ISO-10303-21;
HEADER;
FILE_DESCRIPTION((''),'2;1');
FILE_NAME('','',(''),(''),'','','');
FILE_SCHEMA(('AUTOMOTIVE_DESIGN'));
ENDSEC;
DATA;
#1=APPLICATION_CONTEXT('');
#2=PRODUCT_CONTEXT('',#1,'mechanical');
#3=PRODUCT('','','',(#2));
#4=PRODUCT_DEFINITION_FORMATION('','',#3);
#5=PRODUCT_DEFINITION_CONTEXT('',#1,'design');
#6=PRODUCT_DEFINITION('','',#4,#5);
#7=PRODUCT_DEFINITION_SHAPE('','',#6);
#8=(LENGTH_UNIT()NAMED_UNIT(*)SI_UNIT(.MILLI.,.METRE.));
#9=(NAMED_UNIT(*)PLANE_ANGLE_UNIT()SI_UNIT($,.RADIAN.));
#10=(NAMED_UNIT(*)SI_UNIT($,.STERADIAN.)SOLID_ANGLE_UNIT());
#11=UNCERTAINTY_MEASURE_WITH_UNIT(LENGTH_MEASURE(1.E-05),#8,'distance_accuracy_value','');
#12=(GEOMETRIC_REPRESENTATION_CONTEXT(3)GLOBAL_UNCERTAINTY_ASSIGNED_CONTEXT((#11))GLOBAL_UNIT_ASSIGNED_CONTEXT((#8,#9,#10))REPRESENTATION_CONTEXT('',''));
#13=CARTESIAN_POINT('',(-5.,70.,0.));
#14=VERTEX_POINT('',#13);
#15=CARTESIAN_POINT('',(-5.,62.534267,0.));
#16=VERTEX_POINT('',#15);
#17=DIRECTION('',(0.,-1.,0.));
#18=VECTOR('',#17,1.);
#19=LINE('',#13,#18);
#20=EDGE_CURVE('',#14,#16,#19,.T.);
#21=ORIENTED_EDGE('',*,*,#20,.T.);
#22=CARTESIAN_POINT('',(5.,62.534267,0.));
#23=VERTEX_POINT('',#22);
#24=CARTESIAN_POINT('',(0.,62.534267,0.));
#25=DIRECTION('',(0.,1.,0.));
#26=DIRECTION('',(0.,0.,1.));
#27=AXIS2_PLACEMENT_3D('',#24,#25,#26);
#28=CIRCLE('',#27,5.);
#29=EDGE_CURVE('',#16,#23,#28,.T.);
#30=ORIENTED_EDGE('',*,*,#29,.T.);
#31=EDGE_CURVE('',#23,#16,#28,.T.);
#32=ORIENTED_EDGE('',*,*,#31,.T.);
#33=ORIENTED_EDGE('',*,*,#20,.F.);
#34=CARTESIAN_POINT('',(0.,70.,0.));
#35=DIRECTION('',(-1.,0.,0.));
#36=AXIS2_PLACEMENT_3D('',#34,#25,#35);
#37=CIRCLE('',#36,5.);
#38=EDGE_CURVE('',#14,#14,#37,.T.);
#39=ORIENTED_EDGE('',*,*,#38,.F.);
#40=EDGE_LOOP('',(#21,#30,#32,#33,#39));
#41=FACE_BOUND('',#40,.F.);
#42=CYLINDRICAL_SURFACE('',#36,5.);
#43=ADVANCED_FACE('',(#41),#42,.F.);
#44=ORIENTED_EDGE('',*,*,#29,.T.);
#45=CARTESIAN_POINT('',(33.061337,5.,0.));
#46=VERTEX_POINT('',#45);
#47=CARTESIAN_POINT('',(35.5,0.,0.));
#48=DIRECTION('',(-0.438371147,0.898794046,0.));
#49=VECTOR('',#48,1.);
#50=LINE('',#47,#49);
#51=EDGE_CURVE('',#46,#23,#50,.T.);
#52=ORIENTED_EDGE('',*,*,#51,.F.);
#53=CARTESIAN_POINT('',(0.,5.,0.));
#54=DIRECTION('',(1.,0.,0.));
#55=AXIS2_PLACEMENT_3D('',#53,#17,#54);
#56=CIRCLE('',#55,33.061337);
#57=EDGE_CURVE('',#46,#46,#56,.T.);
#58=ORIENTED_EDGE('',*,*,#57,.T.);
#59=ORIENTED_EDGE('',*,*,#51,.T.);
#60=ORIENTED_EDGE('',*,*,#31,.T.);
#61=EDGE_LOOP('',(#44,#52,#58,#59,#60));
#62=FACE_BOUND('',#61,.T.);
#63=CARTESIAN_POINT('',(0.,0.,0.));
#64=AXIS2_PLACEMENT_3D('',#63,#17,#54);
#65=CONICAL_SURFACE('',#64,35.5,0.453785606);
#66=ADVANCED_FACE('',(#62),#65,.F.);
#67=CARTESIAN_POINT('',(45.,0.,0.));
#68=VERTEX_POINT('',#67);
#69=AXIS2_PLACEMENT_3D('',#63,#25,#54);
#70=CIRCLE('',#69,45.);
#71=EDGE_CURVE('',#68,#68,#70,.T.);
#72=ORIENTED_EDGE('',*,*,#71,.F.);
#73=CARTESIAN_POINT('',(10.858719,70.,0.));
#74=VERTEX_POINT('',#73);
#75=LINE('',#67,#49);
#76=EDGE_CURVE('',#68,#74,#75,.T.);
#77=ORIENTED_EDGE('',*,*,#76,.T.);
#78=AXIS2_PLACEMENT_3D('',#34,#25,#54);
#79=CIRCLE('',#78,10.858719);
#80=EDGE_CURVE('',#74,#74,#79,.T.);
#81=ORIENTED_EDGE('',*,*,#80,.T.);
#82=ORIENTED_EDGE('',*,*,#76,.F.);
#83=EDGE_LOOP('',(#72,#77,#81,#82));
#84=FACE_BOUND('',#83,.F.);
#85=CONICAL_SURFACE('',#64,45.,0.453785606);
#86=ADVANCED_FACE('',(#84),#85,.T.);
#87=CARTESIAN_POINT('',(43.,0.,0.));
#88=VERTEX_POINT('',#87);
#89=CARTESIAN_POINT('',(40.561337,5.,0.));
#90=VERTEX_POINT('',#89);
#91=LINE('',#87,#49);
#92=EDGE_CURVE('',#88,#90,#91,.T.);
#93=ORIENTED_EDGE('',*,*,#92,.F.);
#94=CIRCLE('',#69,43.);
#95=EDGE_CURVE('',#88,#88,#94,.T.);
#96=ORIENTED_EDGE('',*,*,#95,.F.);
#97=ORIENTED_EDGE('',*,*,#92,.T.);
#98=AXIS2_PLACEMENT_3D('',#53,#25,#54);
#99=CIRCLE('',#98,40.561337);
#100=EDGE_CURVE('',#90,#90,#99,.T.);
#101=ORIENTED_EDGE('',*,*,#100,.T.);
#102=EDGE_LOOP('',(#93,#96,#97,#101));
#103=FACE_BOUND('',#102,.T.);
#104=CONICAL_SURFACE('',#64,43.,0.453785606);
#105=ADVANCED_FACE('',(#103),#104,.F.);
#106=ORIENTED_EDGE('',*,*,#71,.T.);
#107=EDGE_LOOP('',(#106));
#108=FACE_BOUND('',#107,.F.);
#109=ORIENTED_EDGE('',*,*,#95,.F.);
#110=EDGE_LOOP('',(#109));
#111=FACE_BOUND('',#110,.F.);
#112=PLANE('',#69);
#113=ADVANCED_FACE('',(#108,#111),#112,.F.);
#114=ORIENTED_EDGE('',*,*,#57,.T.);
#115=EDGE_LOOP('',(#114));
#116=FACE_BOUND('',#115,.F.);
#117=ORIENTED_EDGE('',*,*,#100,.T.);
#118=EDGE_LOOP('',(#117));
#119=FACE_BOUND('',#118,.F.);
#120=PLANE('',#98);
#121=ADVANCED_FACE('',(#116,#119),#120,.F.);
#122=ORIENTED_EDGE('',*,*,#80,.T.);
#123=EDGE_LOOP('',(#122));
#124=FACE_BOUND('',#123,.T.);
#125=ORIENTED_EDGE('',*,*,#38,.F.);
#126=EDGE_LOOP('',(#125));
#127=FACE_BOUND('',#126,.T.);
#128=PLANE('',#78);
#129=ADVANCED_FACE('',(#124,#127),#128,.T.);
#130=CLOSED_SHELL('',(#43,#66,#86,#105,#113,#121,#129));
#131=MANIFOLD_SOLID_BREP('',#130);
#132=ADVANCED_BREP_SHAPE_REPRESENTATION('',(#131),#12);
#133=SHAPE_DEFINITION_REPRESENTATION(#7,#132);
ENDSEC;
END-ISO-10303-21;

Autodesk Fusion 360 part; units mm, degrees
sketch "Esquisse1" plane through (0, 0, 0) normal (0, 1, 0) x (1, 0, 0)
  circle A0 centre (0, 0) radius 45
  dimension "d1" = 90
sketch "Esquisse2" plane through (0, 0, 0) normal (0, 1, 0) x (1, 0, 0)
  circle A0 centre (0, 0) radius 43
  dimension "d2" = 86
sketch "Esquisse3" plane through (0, 0, 0) normal (0, 1, 0) x (1, 0, 0)
  circle A0 centre (0, 0) radius 35.5
  dimension "d3" = 71
extrude "Extrusion1" add sketch "Esquisse1" along normal blind 70 draft -26
sketch "Esquisse4" plane through (0, 70, 0) normal (0, 1, 0) x (-1, 0, 0)
  circle A0 centre (0, 0) radius 10.8587
  circle A1 centre (0, 0) radius 5
  dimension "d6" = 10
extrude "Extrusion2" cut sketch "Esquisse2" along normal blind 5 draft -26
extrude "Extrusion3" cut sketch "Esquisse4" against normal blind 15 contours A1
extrude "Extrusion4" cut sketch "Esquisse3" along normal blind 70 draft -26
sketch "Esquisse5" plane through (0, 0, 0) normal (0, 0, 1) x (1, 0, 0)
